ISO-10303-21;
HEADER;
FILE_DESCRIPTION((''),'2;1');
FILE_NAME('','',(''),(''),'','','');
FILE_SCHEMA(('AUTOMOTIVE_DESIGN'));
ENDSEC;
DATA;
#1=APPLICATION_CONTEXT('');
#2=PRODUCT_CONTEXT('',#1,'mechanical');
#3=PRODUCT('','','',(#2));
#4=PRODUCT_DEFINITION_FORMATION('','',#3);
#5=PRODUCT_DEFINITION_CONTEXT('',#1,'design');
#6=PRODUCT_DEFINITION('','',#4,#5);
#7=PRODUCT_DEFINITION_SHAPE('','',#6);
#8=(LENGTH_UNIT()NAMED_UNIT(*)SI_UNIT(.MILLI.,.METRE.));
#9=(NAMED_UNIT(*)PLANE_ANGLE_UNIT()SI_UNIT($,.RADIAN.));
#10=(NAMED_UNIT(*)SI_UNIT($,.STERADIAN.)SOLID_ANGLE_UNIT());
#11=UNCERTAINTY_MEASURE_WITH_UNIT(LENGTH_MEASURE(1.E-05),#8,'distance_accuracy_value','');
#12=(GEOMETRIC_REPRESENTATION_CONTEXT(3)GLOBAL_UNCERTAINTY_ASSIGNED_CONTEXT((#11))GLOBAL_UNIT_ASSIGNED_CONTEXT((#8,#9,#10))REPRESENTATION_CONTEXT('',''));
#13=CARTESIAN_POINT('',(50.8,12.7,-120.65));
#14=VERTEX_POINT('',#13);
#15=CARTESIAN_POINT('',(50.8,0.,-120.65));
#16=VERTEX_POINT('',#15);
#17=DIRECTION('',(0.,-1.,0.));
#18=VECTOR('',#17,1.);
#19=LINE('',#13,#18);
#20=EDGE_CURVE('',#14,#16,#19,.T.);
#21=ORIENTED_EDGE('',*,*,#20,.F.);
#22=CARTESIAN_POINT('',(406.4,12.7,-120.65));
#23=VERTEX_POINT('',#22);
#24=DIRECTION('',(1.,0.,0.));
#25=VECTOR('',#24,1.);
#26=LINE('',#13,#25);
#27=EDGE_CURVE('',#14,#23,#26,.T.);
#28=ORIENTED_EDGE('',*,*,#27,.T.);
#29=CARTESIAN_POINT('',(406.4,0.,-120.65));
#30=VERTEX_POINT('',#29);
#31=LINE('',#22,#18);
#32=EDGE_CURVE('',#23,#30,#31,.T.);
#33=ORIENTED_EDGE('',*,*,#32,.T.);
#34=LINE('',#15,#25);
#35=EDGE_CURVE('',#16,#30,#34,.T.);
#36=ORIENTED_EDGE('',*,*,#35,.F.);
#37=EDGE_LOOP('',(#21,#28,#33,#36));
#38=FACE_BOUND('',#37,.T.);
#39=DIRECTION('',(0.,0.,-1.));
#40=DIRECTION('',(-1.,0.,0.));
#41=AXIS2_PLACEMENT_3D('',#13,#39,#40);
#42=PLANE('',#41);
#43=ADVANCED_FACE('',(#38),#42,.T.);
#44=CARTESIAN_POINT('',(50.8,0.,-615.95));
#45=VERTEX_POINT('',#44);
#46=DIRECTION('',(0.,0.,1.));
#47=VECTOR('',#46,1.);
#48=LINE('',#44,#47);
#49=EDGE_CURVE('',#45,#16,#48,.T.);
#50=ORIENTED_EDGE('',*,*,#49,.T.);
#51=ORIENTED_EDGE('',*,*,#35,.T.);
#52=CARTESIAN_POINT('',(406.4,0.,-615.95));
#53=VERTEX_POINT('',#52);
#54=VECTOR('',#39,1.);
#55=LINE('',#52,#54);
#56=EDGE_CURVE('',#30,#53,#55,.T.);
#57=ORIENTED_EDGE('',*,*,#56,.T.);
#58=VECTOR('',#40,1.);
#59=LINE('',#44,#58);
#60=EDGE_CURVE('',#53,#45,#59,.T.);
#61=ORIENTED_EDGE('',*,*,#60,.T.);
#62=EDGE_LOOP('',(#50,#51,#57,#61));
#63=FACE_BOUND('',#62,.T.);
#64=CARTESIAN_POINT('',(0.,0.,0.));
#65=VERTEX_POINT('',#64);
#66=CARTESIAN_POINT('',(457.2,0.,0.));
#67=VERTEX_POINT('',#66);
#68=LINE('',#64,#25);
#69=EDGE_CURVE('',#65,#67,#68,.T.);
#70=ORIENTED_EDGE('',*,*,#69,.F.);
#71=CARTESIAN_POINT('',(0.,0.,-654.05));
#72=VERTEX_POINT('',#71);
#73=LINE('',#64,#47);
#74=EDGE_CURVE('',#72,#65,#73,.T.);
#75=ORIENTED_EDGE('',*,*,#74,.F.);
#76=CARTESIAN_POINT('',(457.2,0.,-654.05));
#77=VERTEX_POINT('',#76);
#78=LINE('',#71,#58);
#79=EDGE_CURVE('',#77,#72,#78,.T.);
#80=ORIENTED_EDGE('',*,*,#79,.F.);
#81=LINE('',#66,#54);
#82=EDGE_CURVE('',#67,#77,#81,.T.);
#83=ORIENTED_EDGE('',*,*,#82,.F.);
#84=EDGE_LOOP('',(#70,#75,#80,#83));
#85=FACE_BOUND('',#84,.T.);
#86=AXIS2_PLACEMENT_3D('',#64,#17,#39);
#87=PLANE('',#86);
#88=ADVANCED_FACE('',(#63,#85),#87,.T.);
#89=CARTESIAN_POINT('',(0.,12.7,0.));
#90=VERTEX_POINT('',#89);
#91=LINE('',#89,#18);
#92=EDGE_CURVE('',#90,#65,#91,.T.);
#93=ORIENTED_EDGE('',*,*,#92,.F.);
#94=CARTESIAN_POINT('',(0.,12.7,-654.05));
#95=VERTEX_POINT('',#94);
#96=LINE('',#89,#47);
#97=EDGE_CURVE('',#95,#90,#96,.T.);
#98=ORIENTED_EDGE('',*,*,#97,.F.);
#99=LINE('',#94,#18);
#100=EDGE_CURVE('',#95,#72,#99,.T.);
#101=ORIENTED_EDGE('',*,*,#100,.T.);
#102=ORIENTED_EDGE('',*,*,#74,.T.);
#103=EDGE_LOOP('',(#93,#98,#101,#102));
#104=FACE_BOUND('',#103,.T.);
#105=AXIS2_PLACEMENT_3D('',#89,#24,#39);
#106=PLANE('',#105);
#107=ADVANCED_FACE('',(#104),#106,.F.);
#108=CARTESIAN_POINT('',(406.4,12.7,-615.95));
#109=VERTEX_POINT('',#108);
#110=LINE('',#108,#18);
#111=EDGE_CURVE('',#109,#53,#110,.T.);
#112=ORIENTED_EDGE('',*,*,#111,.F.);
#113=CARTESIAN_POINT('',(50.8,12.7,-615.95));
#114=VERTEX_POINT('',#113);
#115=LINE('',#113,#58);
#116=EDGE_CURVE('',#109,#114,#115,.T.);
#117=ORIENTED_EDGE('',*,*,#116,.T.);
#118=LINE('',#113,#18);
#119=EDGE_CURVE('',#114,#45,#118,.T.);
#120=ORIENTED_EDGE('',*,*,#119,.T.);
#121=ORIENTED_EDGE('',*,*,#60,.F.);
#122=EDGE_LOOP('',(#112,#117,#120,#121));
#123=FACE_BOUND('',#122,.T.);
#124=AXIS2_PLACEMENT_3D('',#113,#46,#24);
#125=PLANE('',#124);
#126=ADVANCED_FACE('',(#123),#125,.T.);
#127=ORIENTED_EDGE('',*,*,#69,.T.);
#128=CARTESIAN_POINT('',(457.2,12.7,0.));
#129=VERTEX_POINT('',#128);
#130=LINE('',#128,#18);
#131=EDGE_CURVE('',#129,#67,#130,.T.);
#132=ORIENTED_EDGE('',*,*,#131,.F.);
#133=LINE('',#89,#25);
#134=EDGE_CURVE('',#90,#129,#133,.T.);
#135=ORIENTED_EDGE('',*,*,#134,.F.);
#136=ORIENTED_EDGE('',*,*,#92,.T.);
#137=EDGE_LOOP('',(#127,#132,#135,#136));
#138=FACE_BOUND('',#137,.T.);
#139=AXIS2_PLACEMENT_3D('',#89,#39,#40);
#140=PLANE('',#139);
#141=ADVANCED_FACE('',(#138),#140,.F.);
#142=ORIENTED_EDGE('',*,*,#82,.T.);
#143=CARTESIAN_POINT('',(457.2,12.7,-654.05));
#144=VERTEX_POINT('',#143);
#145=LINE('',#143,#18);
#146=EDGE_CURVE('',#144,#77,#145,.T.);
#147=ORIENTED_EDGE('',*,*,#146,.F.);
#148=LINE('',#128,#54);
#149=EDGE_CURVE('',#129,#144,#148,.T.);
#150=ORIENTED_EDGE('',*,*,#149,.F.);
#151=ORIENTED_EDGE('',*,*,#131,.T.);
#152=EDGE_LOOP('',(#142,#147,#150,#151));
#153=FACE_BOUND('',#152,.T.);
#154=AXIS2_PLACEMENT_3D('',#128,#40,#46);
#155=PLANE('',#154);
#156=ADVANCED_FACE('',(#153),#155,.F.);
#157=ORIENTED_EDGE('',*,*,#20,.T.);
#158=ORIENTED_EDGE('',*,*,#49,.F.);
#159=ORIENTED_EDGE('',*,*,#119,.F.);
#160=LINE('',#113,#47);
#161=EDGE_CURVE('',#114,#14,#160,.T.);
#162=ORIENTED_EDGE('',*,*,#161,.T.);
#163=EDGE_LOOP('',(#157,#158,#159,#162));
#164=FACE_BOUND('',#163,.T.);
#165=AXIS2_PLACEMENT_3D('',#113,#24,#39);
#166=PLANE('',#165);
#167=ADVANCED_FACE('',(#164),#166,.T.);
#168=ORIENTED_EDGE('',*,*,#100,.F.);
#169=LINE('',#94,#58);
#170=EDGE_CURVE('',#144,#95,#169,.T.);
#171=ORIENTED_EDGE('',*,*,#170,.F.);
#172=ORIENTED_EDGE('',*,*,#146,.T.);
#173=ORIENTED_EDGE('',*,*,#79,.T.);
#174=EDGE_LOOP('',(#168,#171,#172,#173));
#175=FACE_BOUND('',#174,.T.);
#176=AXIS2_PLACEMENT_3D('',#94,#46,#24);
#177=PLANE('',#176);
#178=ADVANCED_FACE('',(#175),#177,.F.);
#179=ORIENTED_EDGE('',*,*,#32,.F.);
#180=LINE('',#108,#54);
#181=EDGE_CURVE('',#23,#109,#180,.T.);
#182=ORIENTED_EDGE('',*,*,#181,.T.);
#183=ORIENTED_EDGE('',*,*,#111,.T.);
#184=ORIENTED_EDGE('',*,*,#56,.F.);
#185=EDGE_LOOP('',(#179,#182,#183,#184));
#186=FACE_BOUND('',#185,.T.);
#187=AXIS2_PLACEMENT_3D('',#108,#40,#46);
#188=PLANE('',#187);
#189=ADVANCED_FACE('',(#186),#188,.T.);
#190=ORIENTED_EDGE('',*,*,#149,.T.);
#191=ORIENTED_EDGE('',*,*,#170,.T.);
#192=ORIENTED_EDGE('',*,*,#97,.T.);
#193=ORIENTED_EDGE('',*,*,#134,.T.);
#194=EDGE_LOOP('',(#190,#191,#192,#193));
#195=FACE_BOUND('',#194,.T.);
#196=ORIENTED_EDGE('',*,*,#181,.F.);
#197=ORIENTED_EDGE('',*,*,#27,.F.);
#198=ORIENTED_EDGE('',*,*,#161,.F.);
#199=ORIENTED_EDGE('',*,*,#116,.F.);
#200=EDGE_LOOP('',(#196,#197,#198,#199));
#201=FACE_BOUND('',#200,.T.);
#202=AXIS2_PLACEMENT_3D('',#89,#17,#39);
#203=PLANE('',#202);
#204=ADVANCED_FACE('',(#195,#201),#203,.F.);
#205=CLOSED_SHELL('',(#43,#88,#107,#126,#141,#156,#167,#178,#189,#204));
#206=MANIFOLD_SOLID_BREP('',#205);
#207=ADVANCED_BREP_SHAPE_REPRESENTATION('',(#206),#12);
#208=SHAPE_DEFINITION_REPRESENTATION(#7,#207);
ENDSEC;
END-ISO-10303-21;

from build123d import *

# Parameters (mm, degrees)
SKETCH1_W           = 457.2
SKETCH1_H           = 654.05
SKETCH1_W_2         = 355.6
SKETCH1_H_2         = 495.3
BOSS_EXTRUDE1_DEPTH = 12.7


with BuildPart() as part:
    # Sketch1 → Boss-Extrude1 (new body)
    with BuildSketch(Plane(origin=(0, 0, 0), x_dir=(1, 0, 0), z_dir=(0, 1, 0))):
        with Locations((228.6, 327.025)):
            Rectangle(SKETCH1_W, SKETCH1_H)
        with Locations((228.6, 368.3)):
            Rectangle(SKETCH1_W_2, SKETCH1_H_2, mode=Mode.SUBTRACT)
    extrude(amount=BOSS_EXTRUDE1_DEPTH)


solid = part.part
